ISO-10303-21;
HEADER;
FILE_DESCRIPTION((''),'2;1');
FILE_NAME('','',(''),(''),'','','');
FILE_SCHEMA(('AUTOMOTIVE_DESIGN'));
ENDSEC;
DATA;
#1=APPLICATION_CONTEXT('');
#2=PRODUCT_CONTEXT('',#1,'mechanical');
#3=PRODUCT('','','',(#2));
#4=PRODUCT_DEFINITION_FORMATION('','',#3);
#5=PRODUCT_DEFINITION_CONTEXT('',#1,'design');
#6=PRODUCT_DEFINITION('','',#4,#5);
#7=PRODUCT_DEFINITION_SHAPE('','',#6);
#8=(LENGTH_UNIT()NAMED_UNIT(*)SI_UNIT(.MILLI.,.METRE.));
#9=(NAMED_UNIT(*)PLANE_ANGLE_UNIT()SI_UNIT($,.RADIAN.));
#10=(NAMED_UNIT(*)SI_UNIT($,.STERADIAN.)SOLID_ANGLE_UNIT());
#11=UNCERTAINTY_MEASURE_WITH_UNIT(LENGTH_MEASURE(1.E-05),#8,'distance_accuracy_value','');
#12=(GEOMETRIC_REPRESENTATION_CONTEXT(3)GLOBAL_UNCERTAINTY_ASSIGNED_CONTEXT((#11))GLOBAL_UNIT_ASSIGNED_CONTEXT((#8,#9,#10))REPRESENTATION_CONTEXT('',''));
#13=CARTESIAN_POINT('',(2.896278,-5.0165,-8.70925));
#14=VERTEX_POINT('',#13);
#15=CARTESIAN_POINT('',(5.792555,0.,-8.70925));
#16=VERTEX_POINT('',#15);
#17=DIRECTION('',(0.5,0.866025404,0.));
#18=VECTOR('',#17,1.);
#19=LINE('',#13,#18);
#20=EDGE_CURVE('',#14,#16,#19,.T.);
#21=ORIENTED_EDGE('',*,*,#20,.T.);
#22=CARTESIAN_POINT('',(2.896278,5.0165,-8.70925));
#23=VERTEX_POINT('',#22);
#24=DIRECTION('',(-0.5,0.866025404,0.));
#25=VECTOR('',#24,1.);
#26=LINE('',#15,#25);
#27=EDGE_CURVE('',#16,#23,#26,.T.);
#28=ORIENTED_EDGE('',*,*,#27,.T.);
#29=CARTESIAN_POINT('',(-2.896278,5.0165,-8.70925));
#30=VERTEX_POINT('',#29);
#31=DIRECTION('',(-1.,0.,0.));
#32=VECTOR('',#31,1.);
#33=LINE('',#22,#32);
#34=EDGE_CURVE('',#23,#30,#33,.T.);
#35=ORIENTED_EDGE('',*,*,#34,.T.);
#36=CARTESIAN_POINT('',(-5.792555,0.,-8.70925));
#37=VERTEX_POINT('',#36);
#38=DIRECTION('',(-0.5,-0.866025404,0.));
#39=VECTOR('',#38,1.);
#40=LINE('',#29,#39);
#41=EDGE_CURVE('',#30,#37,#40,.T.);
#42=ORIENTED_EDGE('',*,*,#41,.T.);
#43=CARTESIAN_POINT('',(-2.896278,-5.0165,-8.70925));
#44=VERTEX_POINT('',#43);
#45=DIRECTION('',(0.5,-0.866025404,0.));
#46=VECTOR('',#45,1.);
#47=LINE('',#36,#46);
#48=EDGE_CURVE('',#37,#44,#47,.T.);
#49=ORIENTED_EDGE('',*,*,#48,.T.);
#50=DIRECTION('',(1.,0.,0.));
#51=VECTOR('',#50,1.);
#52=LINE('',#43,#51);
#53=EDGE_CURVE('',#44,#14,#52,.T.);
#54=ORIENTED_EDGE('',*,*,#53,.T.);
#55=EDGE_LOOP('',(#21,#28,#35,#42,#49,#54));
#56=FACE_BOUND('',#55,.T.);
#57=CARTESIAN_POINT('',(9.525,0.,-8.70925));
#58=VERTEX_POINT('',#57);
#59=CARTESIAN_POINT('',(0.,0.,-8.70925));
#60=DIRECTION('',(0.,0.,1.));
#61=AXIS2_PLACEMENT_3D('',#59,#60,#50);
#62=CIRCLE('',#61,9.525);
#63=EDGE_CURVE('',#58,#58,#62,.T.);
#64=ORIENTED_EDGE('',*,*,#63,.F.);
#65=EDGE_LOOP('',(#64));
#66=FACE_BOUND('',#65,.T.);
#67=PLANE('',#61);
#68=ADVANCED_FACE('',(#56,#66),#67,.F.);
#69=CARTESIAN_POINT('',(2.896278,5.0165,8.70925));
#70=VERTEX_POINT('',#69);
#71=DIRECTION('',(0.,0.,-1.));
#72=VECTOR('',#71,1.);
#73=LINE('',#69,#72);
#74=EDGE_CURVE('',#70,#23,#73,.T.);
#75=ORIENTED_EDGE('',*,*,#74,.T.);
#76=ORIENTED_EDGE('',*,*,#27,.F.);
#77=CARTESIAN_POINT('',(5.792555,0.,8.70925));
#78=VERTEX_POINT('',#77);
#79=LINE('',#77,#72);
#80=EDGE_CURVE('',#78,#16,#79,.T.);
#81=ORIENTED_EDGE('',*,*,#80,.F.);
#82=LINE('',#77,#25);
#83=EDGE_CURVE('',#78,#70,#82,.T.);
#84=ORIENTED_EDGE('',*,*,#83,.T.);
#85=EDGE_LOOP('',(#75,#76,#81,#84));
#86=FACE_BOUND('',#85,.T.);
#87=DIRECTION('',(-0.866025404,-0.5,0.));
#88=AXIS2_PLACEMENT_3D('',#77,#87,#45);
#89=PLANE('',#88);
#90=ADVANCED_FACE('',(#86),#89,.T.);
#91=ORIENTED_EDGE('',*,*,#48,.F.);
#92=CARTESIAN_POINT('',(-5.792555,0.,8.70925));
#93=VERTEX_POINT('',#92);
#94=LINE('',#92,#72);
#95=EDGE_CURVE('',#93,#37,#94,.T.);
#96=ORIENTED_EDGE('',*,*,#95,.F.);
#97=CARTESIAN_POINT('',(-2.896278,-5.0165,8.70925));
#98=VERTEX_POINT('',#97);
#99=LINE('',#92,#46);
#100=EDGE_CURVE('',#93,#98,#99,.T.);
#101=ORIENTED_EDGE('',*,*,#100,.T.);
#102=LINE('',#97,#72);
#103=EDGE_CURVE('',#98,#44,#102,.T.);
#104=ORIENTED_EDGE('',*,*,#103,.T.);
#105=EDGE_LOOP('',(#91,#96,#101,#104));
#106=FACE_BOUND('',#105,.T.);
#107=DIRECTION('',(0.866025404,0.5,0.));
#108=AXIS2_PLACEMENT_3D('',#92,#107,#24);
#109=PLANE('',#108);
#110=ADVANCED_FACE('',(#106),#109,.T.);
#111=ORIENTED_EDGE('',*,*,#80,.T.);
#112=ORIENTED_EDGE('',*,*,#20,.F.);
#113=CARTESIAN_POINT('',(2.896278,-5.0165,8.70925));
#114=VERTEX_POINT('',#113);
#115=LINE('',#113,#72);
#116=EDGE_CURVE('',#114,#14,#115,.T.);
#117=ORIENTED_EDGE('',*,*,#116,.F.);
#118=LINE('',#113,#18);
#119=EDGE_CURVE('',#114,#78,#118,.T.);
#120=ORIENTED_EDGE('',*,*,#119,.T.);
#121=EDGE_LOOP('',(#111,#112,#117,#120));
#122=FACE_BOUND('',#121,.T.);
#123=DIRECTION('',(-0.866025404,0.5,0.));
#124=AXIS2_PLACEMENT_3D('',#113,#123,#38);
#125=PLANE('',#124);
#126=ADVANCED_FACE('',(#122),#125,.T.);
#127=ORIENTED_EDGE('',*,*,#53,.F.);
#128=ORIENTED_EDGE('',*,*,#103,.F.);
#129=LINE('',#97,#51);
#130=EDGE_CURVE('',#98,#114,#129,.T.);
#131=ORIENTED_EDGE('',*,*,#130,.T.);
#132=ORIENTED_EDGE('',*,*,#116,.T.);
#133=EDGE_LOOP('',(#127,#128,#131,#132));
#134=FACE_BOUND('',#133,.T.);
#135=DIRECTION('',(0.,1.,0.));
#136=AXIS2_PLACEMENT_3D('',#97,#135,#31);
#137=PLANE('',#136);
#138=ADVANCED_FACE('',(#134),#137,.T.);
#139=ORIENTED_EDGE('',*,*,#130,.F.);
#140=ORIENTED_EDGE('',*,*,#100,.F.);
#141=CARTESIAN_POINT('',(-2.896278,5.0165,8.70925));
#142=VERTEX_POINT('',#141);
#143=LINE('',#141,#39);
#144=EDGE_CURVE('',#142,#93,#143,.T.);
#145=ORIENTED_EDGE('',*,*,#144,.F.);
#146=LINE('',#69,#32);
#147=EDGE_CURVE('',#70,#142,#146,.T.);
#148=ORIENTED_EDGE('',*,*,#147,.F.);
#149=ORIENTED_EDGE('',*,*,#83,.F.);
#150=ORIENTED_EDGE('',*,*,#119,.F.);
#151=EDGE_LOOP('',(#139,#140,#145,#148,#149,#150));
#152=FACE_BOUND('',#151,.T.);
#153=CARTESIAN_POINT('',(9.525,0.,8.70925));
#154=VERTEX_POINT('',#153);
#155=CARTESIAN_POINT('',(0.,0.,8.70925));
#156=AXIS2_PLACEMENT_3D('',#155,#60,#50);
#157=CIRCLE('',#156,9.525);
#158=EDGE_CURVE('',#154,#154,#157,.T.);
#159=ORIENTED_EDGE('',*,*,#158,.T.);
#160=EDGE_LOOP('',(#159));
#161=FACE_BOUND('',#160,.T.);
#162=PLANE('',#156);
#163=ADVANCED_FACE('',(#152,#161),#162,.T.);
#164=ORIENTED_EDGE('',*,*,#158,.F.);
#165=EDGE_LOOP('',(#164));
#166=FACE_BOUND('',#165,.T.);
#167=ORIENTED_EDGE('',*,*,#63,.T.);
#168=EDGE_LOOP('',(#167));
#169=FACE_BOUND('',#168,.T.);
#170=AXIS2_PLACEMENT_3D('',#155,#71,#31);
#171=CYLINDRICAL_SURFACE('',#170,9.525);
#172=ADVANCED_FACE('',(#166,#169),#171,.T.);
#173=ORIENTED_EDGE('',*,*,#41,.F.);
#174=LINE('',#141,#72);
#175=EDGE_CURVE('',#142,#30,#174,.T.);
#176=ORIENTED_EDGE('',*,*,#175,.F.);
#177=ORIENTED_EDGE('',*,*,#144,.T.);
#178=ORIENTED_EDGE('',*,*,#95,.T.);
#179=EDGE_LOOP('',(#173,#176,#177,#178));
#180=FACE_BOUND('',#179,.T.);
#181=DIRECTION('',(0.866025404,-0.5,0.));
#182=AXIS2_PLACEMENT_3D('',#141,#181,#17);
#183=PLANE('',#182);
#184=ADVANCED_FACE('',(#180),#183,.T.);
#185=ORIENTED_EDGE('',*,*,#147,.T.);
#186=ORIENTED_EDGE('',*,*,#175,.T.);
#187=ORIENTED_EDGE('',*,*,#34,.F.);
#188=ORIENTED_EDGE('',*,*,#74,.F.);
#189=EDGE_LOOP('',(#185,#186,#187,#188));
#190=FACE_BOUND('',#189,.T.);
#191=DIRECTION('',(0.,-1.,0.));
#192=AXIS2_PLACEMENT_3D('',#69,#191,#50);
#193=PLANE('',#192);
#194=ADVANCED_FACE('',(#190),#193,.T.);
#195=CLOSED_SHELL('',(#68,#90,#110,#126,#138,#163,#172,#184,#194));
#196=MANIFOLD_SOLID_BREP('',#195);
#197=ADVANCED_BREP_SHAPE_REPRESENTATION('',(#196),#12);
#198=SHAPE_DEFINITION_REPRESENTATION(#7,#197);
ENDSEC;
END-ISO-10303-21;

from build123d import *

# Parameters (mm, degrees)
SKETCH1_R           = 9.525
BOSS_EXTRUDE1_DEPTH = 8.709249917


with BuildPart() as part:
    # Sketch1 → Boss-Extrude1 (new, symmetric)
    with BuildSketch(Plane.XY):
        Circle(SKETCH1_R)
        Polygon((-5.792555251, 0), (-2.896277625, -5.0165), (2.896277625, -5.0165), (5.792555251, 0), (2.896277625, 5.0165), (-2.896277625, 5.0165), align=None, mode=Mode.SUBTRACT)
    extrude(amount=BOSS_EXTRUDE1_DEPTH, both=True)


solid = part.part
